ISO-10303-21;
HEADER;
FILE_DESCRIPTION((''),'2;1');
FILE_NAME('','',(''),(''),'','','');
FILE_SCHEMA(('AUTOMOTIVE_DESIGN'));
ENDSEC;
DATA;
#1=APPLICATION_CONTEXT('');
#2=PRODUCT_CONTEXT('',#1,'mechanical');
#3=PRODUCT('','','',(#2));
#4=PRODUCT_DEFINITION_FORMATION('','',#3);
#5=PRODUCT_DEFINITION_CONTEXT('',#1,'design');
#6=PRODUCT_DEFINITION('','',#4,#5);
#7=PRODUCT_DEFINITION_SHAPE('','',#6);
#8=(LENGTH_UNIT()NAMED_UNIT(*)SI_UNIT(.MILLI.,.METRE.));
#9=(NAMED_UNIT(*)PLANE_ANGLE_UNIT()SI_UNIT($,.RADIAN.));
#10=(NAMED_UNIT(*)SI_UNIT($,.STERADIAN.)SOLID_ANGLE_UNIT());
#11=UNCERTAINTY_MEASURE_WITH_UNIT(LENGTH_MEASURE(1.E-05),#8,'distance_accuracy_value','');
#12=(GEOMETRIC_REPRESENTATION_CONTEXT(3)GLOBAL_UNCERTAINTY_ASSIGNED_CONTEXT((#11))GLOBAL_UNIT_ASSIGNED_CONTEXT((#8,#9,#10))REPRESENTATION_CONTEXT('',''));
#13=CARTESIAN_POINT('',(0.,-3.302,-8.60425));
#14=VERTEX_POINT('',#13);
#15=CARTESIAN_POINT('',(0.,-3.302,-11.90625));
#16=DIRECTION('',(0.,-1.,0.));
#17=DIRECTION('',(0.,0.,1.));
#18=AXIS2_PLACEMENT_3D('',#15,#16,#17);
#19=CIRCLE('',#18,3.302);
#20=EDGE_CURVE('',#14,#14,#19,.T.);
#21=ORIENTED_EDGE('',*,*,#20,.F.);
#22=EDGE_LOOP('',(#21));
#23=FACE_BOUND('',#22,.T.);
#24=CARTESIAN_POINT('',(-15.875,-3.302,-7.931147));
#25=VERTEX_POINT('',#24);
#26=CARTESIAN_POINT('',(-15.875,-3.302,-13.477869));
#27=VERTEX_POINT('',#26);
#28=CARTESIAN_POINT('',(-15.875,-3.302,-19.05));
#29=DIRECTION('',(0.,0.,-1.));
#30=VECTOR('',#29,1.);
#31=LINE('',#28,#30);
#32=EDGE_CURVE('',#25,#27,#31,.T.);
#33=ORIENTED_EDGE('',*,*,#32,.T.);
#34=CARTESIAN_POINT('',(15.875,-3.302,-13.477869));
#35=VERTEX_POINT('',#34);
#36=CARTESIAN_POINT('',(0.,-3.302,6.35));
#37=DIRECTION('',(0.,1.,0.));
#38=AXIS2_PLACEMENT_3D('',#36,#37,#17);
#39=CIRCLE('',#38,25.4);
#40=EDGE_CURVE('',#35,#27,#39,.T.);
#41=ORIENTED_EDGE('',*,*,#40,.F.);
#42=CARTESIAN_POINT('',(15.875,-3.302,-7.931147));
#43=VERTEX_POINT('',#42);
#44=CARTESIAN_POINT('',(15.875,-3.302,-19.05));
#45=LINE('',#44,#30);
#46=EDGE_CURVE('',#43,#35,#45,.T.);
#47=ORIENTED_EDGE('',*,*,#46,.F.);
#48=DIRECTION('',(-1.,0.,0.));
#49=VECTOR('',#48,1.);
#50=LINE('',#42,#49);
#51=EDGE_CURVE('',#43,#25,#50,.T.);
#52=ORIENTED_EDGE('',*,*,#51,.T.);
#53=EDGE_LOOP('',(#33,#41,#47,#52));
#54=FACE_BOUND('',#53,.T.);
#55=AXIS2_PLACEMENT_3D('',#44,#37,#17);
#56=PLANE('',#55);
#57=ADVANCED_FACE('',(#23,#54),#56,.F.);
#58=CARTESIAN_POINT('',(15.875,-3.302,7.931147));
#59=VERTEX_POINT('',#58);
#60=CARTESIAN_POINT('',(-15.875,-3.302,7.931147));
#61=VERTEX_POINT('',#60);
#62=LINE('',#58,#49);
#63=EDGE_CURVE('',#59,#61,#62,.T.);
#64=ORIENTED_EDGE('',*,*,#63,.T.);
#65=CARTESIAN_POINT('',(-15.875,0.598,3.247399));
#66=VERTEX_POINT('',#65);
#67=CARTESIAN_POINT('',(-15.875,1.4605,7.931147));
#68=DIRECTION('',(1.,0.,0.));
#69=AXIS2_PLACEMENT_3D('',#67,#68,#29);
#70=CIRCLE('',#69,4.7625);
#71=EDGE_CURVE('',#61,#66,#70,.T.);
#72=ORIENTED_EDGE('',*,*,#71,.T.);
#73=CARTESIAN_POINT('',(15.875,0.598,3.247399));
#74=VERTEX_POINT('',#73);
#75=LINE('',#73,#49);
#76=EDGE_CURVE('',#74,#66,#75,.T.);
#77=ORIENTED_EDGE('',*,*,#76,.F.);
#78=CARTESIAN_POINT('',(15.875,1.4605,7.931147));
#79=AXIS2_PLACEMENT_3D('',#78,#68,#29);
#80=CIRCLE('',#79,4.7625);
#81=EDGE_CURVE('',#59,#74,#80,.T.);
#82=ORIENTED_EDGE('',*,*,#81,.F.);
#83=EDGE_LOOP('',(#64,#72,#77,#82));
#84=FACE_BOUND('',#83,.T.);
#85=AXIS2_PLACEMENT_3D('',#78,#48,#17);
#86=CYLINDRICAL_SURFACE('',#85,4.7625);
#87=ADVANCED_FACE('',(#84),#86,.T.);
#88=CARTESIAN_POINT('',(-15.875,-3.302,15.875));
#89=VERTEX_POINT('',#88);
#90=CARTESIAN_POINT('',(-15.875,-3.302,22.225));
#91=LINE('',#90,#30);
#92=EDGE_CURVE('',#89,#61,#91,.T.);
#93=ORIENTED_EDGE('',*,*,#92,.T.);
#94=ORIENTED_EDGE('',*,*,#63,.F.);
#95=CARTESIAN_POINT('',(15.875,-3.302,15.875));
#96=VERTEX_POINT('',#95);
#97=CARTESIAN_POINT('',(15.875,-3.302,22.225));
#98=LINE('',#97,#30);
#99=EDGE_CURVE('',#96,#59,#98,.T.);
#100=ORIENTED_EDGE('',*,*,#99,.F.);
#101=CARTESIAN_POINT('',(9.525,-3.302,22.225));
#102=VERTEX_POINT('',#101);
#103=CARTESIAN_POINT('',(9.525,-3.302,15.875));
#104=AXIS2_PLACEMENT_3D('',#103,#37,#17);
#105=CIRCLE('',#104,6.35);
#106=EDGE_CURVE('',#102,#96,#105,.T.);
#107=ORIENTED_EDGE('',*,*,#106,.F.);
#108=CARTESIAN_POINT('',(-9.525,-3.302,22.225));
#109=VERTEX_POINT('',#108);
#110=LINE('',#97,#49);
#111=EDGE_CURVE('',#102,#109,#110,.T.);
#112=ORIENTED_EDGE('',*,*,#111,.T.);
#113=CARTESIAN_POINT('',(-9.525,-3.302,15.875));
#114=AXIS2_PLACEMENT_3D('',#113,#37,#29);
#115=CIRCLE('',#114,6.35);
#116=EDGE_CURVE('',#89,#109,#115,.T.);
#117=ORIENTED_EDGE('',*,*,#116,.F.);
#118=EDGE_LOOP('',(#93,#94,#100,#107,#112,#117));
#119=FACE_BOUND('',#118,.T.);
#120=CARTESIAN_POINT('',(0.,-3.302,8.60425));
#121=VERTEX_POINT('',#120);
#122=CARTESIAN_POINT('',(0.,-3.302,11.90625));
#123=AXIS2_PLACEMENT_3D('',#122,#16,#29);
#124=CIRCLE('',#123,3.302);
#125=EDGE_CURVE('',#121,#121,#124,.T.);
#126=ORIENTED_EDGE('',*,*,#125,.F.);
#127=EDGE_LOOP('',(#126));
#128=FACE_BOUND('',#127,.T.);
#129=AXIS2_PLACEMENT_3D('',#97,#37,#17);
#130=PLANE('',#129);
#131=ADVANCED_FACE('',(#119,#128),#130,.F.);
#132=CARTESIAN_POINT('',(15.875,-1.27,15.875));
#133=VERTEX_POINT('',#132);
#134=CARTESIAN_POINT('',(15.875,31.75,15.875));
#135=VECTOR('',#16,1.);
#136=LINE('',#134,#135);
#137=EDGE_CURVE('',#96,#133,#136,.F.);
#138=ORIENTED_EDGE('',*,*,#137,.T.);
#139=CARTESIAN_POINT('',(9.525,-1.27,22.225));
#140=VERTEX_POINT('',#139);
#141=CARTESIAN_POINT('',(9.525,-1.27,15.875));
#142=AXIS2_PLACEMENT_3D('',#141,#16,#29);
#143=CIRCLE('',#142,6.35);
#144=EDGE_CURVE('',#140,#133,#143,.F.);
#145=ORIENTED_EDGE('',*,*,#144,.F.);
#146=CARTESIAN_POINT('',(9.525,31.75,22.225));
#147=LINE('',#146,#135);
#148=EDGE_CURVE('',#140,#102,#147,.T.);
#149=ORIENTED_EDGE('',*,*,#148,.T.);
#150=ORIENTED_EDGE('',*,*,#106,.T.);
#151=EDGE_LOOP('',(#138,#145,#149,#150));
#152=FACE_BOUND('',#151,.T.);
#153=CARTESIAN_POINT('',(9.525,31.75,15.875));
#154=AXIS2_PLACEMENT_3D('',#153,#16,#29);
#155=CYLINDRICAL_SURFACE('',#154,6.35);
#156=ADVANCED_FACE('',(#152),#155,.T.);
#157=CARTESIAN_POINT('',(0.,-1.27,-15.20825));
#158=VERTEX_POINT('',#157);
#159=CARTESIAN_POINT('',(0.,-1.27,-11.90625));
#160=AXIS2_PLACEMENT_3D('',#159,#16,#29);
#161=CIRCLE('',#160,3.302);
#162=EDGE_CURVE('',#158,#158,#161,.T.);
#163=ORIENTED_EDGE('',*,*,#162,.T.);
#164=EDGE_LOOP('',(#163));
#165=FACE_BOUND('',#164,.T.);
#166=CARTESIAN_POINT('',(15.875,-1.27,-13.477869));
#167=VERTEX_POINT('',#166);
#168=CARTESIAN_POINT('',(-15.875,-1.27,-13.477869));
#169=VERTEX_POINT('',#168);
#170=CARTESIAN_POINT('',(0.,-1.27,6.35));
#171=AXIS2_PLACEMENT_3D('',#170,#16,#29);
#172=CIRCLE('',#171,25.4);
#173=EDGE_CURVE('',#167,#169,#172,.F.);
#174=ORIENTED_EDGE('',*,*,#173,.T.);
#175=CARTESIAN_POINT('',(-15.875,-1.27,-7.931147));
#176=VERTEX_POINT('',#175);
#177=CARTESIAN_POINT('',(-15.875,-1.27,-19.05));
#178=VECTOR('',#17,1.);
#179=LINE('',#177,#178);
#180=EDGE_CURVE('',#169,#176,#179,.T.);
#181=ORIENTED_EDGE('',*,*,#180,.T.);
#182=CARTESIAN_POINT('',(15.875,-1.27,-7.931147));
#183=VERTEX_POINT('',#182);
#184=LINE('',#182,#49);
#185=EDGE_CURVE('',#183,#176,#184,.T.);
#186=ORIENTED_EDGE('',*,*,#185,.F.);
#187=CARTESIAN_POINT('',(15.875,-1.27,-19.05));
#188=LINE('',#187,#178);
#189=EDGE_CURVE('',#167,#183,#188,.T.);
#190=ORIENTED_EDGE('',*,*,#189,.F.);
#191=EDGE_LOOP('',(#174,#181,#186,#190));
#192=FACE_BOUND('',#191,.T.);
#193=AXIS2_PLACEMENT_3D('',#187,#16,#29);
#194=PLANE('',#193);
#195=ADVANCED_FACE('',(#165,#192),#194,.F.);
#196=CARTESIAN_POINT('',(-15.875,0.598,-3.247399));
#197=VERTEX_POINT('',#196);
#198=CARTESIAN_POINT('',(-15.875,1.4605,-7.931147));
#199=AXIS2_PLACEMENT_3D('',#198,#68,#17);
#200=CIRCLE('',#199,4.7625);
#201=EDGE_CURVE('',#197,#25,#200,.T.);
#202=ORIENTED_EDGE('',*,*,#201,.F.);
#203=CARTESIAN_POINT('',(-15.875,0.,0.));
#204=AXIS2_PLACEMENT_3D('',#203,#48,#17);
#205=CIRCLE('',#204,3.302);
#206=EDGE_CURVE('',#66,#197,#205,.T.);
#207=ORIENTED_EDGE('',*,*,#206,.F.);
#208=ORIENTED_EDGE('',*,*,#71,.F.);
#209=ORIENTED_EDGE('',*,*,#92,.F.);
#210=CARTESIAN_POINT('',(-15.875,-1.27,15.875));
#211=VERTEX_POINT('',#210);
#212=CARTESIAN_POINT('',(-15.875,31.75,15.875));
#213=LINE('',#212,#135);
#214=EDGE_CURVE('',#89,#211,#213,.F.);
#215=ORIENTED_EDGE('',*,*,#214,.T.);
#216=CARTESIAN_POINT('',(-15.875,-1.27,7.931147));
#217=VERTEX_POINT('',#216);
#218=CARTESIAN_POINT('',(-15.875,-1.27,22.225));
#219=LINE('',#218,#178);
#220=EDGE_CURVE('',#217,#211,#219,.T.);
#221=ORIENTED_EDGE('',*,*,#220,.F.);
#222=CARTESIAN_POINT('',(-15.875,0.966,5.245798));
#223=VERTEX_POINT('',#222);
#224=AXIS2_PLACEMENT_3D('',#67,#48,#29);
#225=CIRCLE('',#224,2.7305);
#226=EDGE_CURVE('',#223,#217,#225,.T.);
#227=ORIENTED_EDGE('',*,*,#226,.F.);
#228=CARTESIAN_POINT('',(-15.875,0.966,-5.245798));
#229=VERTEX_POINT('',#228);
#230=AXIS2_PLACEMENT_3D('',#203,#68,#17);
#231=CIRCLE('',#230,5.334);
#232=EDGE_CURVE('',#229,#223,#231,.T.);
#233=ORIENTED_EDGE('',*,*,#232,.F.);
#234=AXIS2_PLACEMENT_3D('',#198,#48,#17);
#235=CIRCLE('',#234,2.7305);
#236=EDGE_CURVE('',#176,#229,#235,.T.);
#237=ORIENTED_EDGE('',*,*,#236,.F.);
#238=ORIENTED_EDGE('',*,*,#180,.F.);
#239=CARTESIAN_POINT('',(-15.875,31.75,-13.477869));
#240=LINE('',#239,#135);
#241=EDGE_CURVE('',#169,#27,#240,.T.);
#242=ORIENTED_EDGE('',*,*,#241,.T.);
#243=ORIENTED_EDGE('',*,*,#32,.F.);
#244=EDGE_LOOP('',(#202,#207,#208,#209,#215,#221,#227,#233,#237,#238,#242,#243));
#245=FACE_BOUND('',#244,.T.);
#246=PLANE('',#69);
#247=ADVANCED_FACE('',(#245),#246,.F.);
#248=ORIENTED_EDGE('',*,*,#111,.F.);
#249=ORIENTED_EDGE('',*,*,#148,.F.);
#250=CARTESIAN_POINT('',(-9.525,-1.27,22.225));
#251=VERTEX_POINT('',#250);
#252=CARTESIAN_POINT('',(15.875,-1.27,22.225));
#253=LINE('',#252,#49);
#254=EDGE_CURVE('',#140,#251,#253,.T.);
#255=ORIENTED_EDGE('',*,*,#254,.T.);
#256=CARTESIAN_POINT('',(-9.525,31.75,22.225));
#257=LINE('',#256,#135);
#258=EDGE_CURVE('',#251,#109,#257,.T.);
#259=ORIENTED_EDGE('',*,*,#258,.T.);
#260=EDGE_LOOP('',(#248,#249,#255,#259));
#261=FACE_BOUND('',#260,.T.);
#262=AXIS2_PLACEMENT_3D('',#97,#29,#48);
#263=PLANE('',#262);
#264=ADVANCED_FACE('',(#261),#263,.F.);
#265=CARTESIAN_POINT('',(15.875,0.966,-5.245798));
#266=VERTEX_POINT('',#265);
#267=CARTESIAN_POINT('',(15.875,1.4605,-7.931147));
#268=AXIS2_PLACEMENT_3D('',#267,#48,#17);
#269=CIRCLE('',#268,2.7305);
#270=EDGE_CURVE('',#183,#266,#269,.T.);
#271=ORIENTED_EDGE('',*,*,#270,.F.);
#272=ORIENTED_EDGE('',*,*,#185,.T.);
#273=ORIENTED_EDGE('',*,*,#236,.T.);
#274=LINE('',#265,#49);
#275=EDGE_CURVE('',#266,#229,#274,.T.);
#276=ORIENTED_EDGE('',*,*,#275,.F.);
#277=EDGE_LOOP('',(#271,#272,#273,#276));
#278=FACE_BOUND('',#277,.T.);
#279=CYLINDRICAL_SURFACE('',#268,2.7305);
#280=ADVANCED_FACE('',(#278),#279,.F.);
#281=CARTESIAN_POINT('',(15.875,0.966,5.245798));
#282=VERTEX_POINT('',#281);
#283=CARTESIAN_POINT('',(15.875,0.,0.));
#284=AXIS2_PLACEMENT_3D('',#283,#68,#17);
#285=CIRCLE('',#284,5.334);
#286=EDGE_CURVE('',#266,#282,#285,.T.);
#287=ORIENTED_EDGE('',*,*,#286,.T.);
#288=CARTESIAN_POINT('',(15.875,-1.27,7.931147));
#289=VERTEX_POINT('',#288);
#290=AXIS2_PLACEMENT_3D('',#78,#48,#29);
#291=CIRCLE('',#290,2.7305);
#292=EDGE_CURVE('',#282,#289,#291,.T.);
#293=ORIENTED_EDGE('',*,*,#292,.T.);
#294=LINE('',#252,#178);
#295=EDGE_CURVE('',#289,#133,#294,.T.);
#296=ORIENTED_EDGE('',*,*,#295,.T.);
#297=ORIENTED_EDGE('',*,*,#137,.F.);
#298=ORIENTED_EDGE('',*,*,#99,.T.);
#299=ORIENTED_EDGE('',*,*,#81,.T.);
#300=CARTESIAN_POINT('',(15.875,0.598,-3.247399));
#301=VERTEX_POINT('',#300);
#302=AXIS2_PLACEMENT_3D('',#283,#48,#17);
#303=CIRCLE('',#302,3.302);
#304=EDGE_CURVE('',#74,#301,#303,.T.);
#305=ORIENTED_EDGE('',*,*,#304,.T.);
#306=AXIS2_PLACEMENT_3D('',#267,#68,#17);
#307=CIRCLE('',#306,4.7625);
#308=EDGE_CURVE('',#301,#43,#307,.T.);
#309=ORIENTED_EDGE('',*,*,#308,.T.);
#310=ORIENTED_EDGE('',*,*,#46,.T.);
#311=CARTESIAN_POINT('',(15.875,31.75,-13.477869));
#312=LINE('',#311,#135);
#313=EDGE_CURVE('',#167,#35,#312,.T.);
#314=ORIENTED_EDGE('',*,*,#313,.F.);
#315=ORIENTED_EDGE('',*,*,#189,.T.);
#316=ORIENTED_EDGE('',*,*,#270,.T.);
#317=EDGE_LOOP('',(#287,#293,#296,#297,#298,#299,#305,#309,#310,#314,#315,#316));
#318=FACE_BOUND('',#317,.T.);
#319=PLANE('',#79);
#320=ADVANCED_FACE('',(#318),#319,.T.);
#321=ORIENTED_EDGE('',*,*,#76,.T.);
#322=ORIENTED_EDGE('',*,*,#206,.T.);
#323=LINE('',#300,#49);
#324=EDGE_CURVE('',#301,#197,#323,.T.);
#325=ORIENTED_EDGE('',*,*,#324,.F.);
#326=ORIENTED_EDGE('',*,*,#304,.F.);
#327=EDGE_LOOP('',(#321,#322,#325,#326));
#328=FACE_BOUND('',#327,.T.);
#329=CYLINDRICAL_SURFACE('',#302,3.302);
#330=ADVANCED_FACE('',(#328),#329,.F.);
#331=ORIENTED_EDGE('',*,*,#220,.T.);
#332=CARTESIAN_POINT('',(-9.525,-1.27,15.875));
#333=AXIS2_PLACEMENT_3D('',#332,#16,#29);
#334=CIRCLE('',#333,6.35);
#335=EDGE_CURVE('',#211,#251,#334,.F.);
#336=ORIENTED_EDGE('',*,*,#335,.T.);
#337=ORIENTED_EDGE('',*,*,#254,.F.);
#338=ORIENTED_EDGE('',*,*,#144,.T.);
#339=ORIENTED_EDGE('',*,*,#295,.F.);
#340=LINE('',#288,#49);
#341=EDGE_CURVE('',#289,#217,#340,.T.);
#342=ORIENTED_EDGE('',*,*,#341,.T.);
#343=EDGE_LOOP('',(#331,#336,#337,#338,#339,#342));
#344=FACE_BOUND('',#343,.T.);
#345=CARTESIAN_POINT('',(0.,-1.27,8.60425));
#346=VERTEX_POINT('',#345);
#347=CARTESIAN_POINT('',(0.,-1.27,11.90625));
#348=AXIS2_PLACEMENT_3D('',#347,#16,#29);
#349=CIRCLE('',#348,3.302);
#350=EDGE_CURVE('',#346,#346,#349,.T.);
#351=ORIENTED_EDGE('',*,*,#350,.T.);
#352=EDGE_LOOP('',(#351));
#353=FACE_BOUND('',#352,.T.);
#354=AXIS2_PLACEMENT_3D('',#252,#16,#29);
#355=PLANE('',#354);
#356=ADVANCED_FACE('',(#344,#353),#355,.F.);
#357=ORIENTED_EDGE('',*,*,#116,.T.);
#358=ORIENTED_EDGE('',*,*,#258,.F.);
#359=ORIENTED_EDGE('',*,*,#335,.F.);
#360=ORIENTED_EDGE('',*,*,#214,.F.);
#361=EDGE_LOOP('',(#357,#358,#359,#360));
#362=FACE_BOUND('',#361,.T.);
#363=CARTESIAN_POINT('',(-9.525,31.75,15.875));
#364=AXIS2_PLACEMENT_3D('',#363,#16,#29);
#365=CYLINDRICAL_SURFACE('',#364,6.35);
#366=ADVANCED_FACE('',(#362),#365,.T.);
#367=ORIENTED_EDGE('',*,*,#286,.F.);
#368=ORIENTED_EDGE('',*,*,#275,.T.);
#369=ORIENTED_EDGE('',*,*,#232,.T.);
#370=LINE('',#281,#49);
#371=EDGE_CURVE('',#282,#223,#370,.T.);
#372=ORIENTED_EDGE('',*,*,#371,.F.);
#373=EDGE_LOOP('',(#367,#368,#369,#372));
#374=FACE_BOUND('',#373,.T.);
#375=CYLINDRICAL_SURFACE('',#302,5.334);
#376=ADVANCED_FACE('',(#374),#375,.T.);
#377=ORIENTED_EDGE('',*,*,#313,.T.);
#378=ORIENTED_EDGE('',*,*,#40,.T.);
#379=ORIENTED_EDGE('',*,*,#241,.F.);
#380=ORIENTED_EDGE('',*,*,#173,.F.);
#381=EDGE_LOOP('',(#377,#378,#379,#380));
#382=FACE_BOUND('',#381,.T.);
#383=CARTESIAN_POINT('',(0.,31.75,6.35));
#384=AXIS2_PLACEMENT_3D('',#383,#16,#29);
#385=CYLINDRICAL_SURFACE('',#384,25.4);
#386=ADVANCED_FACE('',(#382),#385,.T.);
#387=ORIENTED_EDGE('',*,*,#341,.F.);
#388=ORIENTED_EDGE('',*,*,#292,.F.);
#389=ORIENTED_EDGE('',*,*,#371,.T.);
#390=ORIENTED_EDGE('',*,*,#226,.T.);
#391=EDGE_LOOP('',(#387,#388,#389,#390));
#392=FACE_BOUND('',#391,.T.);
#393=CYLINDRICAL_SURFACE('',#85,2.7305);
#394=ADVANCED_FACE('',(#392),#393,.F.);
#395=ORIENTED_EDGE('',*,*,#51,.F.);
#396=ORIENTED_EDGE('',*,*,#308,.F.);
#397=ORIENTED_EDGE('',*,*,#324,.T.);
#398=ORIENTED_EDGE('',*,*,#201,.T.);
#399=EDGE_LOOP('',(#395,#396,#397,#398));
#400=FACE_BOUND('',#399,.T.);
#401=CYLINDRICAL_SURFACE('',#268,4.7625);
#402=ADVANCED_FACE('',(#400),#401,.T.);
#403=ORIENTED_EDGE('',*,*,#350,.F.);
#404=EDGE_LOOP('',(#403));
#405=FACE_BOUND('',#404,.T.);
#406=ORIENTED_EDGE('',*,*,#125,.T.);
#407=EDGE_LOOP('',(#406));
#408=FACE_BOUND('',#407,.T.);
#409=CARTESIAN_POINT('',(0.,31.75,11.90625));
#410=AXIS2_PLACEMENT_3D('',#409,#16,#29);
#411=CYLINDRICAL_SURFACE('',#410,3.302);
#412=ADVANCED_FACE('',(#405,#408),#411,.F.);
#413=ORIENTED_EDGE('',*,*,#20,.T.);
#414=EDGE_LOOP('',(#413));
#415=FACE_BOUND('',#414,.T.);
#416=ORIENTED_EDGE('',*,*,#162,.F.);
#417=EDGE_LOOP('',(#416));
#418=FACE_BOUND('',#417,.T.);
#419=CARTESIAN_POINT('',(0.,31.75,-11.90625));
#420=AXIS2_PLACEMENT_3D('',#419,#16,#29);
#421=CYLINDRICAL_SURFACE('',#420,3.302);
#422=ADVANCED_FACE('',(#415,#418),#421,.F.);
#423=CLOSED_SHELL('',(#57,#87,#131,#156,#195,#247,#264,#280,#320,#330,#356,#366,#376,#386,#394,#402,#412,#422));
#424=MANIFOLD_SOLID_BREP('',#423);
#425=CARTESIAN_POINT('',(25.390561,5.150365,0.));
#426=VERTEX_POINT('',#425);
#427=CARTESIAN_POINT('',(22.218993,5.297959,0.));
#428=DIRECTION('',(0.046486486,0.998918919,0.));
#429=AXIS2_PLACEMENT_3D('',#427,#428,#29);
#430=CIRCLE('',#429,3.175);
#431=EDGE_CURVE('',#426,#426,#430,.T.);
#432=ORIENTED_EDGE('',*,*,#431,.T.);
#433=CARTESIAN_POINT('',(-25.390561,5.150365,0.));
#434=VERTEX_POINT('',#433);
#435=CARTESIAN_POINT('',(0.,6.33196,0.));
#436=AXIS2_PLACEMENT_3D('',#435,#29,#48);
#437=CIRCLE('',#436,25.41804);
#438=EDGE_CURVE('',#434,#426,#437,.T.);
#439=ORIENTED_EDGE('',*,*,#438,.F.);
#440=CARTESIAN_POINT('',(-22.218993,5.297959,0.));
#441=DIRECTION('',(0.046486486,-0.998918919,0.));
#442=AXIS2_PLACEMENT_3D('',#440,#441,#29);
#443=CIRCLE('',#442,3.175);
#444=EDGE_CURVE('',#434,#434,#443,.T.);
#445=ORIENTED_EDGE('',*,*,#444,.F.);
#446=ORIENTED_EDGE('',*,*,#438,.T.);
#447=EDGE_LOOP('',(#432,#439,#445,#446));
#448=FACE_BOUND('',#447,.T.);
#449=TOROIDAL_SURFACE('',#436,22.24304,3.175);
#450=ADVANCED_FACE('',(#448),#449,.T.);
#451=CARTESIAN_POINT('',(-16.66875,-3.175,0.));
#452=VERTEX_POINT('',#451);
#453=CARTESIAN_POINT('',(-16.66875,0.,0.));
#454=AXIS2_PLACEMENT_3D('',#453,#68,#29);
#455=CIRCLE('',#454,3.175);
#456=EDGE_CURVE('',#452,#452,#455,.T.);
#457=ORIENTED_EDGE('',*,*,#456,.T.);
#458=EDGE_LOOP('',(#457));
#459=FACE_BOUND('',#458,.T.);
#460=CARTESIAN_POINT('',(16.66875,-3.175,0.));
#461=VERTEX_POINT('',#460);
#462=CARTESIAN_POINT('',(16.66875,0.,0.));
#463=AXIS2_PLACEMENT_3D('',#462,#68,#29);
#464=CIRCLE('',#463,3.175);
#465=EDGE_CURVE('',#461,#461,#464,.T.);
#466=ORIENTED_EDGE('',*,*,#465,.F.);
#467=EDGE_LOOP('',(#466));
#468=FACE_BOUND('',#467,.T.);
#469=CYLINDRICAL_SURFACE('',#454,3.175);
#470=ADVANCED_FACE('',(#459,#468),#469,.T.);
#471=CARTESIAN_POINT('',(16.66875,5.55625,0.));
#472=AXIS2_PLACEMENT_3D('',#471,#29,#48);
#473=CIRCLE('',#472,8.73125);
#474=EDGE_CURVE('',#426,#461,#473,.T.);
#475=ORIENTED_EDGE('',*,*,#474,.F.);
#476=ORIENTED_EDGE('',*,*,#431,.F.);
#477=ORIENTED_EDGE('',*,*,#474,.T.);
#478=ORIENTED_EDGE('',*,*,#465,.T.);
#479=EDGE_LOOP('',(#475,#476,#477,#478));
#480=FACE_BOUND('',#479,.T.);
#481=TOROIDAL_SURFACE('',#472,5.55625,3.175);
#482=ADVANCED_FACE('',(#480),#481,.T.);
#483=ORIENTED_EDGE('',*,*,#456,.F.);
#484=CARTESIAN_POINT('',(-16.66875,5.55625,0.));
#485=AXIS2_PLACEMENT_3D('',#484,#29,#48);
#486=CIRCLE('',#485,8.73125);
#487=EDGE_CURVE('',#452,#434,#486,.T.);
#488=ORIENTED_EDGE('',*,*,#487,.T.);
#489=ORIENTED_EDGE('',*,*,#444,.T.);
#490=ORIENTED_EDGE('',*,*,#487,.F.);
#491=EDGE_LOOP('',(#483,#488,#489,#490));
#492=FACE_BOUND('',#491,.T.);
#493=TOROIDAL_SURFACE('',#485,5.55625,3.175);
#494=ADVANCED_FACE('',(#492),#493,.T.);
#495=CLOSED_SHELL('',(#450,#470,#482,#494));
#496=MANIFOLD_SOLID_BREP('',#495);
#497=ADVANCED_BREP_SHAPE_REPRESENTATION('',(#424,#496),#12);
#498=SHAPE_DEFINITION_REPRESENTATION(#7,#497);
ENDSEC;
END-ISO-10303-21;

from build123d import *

# Parameters (mm, degrees)
SKETCH2_R           = 3.175
BOSS_EXTRUDE1_DEPTH = 15.875
SKETCH4_R           = 3.302
CUT_EXTRUDE1_DEPTH  = 36.0520001


with BuildPart() as part:
    # Sweep1: sweep along a path in Sketch1
    with BuildLine(Plane.XY) as sweep1_path:
        Line((-16.66875, 0), (16.66875, 0))
        ThreePointArc((16.66875, 0), (20.505205868, 1.537105758), (22.218993243, 5.297959459))
        ThreePointArc((22.218993243, 5.297959459), (0, 28.575), (-22.218993243, 5.297959459))
        ThreePointArc((-22.218993243, 5.297959459), (-20.505205868, 1.537105758), (-16.66875, 0))
    # Sketch2 → Sweep1 (sweep)
    with BuildSketch(Plane(origin=(0, 0, 0), x_dir=(0, 0, -1), z_dir=(1, 0, 0))):
        Circle(SKETCH2_R)
    sweep(path=sweep1_path.line)


with BuildPart() as body_2:
    # Sketch3 → Boss-Extrude1 (new body, symmetric)
    with BuildSketch(Plane(origin=(0, 0, 0), x_dir=(0, 0, -1), z_dir=(1, 0, 0))):
        with BuildLine():
            Line((-22.225, -3.302), (-22.225, -1.27))
            Line((-22.225, -1.27), (-7.931147458, -1.27))
            ThreePointArc((-7.931147458, -1.27), (-6.183949988, -0.637816289), (-5.245798319, 0.966))
            ThreePointArc((-5.245798319, 0.966), (0, 5.334), (5.245798319, 0.966))
            ThreePointArc((5.245798319, 0.966), (6.183949988, -0.637816289), (7.931147458, -1.27))
            Line((7.931147458, -1.27), (19.05, -1.27))
            Line((19.05, -1.27), (19.05, -3.302))
            Line((19.05, -3.302), (7.931147458, -3.302))
            ThreePointArc((7.931147458, -3.302), (4.88371001, -2.199353993), (3.247398959, 0.598))
            ThreePointArc((3.247398959, 0.598), (0, 3.302), (-3.247398959, 0.598))
            ThreePointArc((-3.247398959, 0.598), (-4.88371001, -2.199353993), (-7.931147458, -3.302))
            Line((-7.931147458, -3.302), (-22.225, -3.302))
        make_face()
    extrude(amount=BOSS_EXTRUDE1_DEPTH, both=True)

    # Sketch4 → Cut-Extrude1 (cut, through all)
    with BuildSketch(Plane.XZ.offset(3.302)):
        with Locations((0, 11.90625)):
            Circle(SKETCH4_R)
        with Locations((0, -11.90625)):
            Circle(SKETCH4_R)
        with BuildLine():
            Line((-15.875, 15.875), (-15.875, 22.225))
            Line((-15.875, 22.225), (-9.525, 22.225))
            ThreePointArc((-9.525, 22.225), (-14.015128061, 20.365128061), (-15.875, 15.875))
        make_face()
        with BuildLine():
            Line((15.875, 22.225), (9.525, 22.225))
            ThreePointArc((9.525, 22.225), (14.015128061, 20.365128061), (15.875, 15.875))
            Line((15.875, 15.875), (15.875, 22.225))
        make_face()
        with BuildLine():
            Line((15.875, -19.05), (15.875, -13.477868645))
            ThreePointArc((15.875, -13.477868645), (0, -19.05), (-15.875, -13.477868645))
            Line((-15.875, -13.477868645), (-15.875, -19.05))
            Line((-15.875, -19.05), (-15.875, -20.32))
            Line((-15.875, -20.32), (15.875, -20.32))
            Line((15.875, -20.32), (15.875, -19.05))
        make_face()
    extrude(amount=-CUT_EXTRUDE1_DEPTH, mode=Mode.SUBTRACT)


solid = Compound([part.part, body_2.part])
